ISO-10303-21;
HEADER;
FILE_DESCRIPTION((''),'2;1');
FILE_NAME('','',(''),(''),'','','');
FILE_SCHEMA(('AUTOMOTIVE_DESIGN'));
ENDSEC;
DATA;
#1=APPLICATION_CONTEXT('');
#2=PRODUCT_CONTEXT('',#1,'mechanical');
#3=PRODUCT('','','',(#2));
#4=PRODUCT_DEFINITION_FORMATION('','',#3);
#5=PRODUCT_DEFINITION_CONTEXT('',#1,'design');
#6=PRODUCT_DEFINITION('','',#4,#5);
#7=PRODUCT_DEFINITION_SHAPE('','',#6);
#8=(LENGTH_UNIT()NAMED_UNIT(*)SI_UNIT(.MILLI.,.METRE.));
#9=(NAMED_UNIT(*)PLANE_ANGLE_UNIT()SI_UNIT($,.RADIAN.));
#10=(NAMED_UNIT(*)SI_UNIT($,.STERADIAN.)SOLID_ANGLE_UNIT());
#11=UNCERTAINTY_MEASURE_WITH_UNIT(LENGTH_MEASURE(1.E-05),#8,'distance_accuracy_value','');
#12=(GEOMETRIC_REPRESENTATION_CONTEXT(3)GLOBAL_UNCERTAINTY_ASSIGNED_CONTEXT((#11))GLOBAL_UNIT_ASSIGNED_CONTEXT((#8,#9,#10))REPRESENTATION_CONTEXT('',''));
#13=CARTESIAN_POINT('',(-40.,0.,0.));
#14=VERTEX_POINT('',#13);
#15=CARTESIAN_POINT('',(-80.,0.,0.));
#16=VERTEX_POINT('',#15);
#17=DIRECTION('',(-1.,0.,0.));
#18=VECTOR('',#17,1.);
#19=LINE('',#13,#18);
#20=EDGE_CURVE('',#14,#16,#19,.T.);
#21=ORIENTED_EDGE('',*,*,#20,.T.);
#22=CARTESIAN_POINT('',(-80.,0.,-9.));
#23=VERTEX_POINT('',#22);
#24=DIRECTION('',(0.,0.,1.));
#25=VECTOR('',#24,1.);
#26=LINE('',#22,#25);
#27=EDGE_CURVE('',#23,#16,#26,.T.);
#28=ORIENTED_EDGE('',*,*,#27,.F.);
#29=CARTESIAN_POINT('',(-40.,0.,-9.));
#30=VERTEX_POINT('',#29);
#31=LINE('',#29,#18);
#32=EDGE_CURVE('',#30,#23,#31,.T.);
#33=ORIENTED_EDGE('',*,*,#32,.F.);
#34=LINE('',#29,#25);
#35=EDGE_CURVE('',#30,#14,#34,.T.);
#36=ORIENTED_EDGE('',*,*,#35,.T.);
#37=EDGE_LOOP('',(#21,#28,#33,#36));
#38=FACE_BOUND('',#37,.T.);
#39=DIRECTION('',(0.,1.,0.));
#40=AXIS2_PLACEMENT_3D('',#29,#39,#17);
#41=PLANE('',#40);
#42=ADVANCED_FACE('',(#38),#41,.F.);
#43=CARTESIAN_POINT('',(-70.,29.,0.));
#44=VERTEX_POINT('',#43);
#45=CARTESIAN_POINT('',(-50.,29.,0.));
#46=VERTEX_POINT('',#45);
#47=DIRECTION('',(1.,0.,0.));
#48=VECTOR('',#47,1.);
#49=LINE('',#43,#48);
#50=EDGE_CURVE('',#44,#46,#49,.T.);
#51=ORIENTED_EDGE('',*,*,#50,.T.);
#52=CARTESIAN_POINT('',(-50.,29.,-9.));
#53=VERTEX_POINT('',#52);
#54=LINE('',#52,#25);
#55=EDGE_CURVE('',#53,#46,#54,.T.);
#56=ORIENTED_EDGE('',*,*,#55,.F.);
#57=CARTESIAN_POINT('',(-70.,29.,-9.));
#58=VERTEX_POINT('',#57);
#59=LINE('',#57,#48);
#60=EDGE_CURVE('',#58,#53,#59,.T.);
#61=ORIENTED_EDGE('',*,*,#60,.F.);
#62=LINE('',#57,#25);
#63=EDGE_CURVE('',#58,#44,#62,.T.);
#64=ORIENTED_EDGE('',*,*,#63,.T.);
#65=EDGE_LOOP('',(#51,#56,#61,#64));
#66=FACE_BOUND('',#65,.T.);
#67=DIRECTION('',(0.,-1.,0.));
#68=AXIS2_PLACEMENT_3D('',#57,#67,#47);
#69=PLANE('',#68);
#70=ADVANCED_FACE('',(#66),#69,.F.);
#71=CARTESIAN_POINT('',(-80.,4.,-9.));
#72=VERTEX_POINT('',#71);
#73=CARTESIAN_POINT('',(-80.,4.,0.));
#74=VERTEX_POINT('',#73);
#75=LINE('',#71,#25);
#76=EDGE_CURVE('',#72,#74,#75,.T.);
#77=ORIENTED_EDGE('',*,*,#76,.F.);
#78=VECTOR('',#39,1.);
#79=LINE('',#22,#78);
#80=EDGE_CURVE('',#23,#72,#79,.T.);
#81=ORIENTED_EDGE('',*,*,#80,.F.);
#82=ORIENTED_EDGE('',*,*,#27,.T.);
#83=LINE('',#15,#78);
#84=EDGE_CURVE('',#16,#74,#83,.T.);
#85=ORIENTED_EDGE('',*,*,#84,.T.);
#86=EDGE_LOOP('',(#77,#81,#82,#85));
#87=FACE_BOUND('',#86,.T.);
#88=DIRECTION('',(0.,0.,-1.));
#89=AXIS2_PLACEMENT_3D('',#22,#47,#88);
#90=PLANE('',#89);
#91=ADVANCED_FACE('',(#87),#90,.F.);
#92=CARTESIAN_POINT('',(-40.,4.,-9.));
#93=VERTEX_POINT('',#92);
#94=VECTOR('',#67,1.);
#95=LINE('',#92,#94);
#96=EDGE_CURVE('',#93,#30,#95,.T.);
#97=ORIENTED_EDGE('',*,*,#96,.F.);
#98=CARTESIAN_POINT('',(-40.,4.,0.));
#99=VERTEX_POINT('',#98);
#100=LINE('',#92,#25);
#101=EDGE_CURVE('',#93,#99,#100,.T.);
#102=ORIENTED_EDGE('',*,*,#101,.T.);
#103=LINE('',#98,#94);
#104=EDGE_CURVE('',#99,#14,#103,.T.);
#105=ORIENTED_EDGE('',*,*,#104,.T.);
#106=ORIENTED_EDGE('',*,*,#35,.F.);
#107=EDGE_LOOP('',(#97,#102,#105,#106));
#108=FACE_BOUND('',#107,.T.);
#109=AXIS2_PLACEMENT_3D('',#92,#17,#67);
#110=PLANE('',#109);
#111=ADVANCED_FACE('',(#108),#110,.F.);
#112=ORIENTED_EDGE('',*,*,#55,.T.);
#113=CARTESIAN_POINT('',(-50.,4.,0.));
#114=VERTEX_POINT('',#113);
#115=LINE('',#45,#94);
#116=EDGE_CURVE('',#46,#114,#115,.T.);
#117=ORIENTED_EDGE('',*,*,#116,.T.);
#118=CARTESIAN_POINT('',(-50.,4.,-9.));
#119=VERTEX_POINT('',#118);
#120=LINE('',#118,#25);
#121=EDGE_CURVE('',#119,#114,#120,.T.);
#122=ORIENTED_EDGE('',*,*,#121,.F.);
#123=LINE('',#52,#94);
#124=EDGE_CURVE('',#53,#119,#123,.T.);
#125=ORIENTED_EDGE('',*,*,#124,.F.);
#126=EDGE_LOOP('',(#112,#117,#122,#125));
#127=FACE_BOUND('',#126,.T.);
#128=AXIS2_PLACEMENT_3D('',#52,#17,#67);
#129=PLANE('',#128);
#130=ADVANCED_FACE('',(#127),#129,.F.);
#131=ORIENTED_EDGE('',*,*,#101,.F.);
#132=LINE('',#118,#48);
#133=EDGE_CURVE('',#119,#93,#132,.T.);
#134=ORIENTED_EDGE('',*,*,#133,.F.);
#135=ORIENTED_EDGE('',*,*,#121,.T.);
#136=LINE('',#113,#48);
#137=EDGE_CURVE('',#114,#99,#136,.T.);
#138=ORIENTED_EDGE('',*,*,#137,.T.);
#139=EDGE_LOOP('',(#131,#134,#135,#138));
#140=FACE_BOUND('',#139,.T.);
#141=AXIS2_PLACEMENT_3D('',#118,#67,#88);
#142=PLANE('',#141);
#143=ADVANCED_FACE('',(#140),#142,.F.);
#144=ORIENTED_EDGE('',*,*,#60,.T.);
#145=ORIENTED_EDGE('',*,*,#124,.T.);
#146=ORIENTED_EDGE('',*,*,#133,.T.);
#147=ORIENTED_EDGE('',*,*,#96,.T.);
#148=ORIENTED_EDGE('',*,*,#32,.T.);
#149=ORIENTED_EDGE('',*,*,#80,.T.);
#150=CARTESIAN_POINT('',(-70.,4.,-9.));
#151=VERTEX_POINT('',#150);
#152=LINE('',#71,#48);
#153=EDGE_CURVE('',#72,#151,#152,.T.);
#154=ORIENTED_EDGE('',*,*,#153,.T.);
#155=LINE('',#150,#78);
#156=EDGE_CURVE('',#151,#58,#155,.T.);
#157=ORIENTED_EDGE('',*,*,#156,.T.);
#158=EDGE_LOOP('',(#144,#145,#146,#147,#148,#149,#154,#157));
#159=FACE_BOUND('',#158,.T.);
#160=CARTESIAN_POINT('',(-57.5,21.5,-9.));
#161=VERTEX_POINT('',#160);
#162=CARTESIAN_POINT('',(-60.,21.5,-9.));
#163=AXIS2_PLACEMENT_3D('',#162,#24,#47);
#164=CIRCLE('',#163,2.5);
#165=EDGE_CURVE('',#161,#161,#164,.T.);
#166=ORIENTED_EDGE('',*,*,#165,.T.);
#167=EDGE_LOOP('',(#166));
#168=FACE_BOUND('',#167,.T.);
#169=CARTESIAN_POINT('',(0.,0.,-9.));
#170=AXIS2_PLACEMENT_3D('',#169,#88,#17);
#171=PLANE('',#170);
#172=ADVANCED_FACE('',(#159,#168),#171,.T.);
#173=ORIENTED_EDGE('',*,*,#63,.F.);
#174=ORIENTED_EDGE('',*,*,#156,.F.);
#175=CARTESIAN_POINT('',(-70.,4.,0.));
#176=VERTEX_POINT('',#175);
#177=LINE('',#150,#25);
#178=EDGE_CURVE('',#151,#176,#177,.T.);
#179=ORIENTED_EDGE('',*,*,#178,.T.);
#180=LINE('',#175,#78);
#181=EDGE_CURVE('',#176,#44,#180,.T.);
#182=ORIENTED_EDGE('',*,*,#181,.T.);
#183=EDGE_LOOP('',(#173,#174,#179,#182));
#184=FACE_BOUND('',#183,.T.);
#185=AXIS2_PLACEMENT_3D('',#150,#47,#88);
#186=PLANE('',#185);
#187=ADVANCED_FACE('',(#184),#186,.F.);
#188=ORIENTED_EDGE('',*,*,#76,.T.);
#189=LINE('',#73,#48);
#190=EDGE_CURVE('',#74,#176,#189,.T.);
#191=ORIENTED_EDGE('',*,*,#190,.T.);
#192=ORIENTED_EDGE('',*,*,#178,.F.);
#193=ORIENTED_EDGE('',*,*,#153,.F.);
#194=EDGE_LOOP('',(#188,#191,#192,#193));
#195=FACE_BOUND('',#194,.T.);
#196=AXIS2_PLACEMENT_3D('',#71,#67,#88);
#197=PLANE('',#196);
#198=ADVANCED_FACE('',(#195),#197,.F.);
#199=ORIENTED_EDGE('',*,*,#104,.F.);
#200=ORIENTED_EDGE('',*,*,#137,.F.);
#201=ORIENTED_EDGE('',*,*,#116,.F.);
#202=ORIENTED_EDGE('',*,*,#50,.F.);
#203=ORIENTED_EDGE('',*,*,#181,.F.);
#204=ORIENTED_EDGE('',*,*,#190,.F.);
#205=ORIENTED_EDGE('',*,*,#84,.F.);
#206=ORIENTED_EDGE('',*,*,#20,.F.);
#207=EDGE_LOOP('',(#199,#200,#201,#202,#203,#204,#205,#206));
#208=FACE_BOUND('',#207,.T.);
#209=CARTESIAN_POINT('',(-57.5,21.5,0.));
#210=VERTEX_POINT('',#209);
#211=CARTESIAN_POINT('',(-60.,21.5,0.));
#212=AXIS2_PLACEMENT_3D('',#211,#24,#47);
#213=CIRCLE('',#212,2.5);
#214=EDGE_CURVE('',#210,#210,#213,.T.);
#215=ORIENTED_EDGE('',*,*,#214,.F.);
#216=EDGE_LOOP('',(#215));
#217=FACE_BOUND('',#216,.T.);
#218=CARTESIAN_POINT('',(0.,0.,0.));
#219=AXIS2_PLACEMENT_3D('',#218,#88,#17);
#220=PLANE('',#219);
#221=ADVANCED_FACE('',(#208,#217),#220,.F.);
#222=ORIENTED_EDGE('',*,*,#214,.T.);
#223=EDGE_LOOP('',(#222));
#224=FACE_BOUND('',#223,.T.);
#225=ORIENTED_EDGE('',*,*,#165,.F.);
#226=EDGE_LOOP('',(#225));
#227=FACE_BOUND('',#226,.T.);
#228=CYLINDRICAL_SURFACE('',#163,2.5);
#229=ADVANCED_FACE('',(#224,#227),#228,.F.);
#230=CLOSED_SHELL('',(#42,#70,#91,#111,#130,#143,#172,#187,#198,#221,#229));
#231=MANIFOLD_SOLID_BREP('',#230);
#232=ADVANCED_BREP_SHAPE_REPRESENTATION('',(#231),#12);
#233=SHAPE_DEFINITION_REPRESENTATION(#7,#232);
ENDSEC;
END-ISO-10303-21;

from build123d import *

# Parameters (mm, degrees)
BOSS_EXTRU_2_DEPTH      = 9
ESQUISSE1_4_R           = 2.5
ENL_V_MAT_EXTRU_6_DEPTH = 86.568685861


with BuildPart() as part:
    # Esquisse1 → Boss.-Extru.2 (new body)
    with BuildSketch(Plane.XY):
        Polygon((-40, 0), (-80, 0), (-80, 4), (-70, 4), (-70, 29), (-50, 29), (-50, 4), (-40, 4), align=None)
    extrude(amount=-BOSS_EXTRU_2_DEPTH)

    # Esquisse1<4> → Enlèv. mat.-Extru.6 (cut, through all)
    with BuildSketch(Plane.XY):
        with Locations((-60, 21.5)):
            Circle(ESQUISSE1_4_R)
    extrude(amount=-ENL_V_MAT_EXTRU_6_DEPTH, mode=Mode.SUBTRACT)


solid = part.part
